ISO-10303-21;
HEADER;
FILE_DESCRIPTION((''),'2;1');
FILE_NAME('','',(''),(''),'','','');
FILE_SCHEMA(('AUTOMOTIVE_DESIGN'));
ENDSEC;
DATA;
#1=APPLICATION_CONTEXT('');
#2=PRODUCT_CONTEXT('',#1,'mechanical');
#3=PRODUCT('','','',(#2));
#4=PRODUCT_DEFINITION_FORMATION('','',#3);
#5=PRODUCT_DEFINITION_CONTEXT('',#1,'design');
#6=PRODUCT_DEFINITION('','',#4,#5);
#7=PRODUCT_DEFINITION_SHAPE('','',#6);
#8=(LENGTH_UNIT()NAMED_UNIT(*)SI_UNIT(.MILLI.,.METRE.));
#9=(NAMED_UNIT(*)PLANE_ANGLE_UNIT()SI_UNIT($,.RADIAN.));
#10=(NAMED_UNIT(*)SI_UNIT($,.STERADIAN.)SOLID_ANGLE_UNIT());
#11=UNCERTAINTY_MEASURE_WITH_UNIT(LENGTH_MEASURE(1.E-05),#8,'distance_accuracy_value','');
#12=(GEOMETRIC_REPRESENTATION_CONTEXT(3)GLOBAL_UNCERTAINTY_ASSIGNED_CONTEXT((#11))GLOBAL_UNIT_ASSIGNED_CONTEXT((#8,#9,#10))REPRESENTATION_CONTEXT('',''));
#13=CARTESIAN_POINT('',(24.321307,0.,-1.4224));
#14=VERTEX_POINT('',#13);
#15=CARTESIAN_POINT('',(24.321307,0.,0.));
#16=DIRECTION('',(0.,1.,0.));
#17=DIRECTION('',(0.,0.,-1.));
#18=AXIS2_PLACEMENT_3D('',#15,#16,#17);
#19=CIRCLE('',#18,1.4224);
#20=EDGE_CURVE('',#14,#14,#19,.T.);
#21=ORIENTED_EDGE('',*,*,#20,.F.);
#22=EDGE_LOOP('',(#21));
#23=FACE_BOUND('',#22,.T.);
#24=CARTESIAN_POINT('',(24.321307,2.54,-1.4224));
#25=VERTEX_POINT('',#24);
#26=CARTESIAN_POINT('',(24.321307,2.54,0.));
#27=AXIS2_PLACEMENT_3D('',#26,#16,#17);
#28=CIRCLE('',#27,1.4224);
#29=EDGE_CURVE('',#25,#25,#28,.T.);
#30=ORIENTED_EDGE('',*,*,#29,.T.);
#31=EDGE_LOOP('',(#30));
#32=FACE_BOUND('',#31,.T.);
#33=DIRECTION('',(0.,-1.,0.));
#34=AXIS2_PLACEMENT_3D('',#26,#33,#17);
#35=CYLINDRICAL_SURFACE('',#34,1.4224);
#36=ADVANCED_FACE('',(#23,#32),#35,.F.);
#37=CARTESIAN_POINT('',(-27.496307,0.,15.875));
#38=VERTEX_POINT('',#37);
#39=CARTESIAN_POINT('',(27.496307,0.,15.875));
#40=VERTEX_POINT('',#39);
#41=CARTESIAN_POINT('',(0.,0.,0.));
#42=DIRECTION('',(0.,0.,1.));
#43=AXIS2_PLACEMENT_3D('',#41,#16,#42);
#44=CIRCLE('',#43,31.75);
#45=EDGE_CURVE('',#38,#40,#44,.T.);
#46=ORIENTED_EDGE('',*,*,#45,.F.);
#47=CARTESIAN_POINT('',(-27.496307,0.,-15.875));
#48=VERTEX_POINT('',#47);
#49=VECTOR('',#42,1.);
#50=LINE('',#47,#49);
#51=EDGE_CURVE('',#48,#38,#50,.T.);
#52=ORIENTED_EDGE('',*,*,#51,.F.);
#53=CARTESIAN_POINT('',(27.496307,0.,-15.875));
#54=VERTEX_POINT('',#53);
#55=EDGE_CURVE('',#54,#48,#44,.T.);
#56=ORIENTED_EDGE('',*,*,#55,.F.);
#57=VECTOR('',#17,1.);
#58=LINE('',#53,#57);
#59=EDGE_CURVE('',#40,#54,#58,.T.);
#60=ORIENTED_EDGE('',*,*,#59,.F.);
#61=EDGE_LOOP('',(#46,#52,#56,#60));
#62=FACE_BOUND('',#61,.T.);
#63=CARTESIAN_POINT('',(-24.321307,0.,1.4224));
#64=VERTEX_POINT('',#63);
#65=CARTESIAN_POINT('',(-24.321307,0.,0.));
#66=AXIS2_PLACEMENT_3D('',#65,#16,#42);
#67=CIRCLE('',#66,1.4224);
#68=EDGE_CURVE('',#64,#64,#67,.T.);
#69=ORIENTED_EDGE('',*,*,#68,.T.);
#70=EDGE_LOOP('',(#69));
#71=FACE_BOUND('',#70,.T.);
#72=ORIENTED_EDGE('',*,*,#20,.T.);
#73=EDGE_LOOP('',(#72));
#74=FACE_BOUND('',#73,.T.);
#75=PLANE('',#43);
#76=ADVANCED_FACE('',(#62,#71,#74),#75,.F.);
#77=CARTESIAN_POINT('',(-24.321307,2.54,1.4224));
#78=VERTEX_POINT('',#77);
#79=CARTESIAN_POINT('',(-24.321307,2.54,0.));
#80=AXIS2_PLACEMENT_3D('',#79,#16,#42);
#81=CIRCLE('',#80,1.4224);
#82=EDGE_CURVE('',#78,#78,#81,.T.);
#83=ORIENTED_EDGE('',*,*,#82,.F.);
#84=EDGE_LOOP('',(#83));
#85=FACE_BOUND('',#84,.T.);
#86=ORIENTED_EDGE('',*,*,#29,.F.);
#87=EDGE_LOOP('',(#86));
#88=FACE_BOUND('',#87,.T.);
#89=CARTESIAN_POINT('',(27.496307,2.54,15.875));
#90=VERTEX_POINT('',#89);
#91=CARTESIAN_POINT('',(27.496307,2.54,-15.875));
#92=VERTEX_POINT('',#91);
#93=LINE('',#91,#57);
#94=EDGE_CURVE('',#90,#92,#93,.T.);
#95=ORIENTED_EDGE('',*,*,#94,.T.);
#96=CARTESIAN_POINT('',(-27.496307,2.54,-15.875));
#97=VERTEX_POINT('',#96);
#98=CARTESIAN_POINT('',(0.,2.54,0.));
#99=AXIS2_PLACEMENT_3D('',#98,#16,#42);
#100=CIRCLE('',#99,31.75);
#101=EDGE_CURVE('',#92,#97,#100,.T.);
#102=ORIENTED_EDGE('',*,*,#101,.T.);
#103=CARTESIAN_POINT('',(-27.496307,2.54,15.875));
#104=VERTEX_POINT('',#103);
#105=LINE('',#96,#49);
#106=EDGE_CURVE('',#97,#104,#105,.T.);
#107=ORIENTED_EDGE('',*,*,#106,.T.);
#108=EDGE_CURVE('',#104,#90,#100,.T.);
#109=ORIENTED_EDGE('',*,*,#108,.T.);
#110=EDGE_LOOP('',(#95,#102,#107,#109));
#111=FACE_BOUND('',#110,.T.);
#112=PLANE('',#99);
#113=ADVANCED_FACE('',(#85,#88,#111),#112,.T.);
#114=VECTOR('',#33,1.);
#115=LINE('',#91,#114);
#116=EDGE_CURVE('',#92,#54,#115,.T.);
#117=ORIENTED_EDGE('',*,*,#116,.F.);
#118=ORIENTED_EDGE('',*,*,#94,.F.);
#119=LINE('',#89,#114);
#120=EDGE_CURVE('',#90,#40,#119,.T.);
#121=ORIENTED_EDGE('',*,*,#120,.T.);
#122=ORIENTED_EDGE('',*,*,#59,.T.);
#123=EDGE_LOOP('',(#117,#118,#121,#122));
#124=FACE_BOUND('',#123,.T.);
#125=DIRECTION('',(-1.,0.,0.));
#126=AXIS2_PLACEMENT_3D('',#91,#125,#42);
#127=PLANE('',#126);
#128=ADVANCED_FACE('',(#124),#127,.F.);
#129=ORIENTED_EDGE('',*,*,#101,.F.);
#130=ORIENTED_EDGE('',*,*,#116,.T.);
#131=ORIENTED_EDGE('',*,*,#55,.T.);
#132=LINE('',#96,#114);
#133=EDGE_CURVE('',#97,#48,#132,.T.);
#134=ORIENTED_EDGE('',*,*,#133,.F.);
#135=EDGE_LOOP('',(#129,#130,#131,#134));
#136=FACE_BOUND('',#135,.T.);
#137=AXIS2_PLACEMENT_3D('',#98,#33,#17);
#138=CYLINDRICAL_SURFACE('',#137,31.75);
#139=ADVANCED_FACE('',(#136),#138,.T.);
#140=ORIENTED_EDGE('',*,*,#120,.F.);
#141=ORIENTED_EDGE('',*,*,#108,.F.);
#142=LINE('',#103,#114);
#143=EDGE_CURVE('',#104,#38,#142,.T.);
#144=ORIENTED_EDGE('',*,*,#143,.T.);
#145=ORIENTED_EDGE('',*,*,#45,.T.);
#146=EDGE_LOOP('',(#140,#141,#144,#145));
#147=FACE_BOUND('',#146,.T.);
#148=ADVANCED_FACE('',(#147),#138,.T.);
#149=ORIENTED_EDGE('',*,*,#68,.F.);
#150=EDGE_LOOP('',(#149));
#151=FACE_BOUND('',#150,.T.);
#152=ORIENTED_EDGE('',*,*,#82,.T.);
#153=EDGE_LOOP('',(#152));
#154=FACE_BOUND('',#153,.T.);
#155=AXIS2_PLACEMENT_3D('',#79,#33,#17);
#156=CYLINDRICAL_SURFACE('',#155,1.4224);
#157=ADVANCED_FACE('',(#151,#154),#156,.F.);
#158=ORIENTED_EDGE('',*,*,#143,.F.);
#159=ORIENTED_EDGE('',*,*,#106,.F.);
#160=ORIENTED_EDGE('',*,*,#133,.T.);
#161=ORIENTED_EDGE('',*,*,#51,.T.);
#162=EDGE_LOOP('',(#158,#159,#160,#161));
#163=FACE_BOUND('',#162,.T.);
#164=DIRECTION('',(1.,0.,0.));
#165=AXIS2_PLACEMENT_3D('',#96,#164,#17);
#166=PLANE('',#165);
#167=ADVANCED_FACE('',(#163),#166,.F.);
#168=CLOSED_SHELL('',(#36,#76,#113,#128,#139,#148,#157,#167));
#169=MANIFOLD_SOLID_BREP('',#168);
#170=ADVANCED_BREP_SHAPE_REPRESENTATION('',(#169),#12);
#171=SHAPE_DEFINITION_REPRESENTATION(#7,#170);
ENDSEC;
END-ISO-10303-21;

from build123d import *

# Parameters (mm, degrees)
SKETCH1_R  = 1.4224
BASE_DEPTH = 2.54


with BuildPart() as part:
    # Sketch1 → Base (new body)
    with BuildSketch(Plane(origin=(0, 0, 0), x_dir=(1, 0, 0), z_dir=(0, 1, 0))):
        with BuildLine():
            Line((-27.49630657, 15.875), (-27.49630657, -15.875))
            ThreePointArc((-27.49630657, -15.875), (0, -31.75), (27.49630657, -15.875))
            Line((27.49630657, -15.875), (27.49630657, 15.875))
            ThreePointArc((27.49630657, 15.875), (0, 31.75), (-27.49630657, 15.875))
        make_face()
        with Locations(Location((-24.32130657, 0, 0), (0, 0, 270))):
            Circle(SKETCH1_R, mode=Mode.SUBTRACT)
        with Locations(Location((24.32130657, 0, 0), (0, 0, 90))):
            Circle(SKETCH1_R, mode=Mode.SUBTRACT)
    extrude(amount=BASE_DEPTH)


solid = part.part
